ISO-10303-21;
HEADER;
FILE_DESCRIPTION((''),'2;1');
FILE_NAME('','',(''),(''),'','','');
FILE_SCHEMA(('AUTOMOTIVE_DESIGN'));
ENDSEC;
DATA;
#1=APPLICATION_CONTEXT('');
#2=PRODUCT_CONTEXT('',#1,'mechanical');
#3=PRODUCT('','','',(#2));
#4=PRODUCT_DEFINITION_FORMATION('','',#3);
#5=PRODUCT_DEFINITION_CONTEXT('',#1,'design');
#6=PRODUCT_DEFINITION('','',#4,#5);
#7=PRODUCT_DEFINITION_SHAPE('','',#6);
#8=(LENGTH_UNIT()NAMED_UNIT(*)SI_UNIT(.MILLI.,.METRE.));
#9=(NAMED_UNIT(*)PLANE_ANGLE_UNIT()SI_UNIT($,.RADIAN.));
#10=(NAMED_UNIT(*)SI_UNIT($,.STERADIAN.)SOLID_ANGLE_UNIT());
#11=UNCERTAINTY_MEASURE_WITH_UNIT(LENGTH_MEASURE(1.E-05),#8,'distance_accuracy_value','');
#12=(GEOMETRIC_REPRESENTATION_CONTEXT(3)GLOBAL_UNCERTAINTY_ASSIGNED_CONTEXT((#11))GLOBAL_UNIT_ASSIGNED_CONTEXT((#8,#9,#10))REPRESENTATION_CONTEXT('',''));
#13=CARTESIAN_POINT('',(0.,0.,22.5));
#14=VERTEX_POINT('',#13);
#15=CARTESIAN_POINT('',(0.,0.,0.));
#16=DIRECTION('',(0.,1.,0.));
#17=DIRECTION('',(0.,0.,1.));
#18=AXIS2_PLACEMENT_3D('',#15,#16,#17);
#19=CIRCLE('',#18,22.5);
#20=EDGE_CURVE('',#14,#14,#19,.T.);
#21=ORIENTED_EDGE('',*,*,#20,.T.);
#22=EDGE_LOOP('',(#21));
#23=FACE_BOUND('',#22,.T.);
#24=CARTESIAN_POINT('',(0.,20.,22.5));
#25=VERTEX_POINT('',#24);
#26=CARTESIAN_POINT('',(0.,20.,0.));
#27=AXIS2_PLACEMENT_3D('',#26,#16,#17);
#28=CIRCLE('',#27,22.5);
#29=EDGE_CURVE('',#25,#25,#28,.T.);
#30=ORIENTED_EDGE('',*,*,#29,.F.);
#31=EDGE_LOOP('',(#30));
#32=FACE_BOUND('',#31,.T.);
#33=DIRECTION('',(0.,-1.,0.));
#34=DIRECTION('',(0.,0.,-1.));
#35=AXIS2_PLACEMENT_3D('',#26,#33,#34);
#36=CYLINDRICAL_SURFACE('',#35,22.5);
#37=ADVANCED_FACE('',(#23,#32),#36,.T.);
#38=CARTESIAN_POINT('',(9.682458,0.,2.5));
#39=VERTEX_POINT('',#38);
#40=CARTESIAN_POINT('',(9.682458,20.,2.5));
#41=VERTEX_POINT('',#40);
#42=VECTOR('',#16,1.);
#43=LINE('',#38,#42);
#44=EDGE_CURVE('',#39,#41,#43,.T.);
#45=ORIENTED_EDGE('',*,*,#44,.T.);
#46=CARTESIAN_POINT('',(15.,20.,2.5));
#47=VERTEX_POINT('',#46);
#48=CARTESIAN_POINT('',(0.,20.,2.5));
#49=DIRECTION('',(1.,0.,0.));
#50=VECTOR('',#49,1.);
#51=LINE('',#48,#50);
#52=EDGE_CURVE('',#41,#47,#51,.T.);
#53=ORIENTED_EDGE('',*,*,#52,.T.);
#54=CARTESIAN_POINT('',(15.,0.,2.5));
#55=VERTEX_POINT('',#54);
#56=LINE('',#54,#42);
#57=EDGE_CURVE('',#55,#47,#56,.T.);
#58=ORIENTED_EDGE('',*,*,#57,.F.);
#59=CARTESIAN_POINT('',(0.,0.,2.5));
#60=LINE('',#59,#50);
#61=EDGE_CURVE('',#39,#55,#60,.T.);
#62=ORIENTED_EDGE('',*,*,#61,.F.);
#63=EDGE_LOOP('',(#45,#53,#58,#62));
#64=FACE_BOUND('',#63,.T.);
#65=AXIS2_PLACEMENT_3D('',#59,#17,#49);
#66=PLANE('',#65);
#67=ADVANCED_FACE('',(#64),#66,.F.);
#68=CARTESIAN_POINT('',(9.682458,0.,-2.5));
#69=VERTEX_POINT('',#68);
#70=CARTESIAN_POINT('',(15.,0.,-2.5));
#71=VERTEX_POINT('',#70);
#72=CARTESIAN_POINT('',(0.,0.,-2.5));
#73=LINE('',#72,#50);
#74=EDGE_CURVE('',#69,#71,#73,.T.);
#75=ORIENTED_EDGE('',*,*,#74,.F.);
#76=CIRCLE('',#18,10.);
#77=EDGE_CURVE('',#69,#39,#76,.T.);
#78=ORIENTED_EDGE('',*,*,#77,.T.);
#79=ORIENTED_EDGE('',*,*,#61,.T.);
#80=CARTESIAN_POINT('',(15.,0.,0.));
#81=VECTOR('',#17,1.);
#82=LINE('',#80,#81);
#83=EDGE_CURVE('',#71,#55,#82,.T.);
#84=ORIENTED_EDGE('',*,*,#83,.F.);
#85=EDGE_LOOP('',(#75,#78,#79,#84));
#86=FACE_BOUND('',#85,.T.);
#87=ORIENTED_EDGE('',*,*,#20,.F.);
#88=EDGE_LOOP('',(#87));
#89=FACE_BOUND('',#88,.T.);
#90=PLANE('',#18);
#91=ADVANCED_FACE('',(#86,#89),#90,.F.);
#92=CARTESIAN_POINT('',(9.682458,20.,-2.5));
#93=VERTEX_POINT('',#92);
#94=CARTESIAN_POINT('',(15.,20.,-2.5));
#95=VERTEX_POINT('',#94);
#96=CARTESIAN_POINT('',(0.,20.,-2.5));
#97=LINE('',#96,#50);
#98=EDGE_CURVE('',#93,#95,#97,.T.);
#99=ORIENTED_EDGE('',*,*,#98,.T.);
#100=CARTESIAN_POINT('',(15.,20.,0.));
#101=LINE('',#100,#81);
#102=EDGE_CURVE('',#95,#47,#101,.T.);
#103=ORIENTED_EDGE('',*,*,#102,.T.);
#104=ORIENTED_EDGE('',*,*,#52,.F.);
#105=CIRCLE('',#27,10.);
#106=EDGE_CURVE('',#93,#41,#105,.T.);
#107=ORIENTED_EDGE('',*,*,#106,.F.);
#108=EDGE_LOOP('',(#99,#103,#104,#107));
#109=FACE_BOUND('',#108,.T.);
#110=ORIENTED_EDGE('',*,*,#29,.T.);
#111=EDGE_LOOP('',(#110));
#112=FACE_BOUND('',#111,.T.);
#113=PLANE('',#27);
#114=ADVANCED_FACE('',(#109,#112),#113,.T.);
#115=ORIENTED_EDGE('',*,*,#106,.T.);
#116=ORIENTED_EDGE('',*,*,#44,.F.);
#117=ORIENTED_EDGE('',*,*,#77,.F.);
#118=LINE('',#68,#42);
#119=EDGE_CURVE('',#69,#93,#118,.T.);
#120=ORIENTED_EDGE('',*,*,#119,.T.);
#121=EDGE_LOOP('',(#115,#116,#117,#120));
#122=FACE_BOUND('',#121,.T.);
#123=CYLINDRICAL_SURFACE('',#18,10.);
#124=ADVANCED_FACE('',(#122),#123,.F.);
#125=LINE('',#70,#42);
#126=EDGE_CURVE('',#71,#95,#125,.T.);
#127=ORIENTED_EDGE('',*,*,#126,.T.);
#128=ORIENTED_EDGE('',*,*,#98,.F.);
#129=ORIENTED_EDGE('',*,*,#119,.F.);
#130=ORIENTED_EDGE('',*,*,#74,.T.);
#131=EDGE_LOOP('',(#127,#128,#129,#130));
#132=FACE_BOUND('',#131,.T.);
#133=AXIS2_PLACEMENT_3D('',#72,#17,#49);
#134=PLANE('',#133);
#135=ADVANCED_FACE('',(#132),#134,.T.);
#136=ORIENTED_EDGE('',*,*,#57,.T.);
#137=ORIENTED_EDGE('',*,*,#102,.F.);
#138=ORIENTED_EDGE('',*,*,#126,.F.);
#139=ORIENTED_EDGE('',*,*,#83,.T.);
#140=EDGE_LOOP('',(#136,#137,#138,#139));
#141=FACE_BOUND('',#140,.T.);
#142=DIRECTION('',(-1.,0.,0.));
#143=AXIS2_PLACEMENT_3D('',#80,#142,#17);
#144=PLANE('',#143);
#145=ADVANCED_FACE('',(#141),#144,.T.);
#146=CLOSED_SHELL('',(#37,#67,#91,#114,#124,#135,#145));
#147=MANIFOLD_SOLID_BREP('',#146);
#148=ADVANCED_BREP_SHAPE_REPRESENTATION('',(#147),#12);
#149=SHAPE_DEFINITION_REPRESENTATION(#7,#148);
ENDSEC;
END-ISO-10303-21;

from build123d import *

# Parameters (mm, degrees)
SKETCH1_R           = 22.5
BOSS_EXTRUDE1_DEPTH = 20
CUT_EXTRUDE2_DEPTH  = 20


with BuildPart() as part:
    # Sketch1 → Boss-Extrude1 (new body)
    with BuildSketch(Plane(origin=(0, 0, 0), x_dir=(1, 0, 0), z_dir=(0, 1, 0))):
        Circle(SKETCH1_R)
    extrude(amount=BOSS_EXTRUDE1_DEPTH)

    # Sketch2 → Cut-Extrude2 (cut)
    with BuildSketch(Plane(origin=(0, 20, 0), x_dir=(1, 0, 0), z_dir=(0, 1, 0))):
        with BuildLine():
            Line((5, -2.5), (5, 2.5))
            Line((5, 2.5), (9.682458366, 2.5))
            ThreePointArc((9.682458366, 2.5), (-10, 0), (9.682458366, -2.5))
            Line((9.682458366, -2.5), (5, -2.5))
        make_face()
        with BuildLine():
            Line((9.682458366, 2.5), (5, 2.5))
            Line((5, 2.5), (5, -2.5))
            Line((5, -2.5), (9.682458366, -2.5))
            ThreePointArc((9.682458366, -2.5), (9.920296963, -1.260042925), (10, 0))
            ThreePointArc((10, 0), (9.920296963, 1.260042925), (9.682458366, 2.5))
        make_face()
        with BuildLine():
            Line((15, 2.5), (9.682458366, 2.5))
            ThreePointArc((9.682458366, 2.5), (9.920296963, 1.260042925), (10, 0))
            ThreePointArc((10, 0), (9.920296963, -1.260042925), (9.682458366, -2.5))
            Line((9.682458366, -2.5), (15, -2.5))
            Line((15, -2.5), (15, 2.5))
        make_face()
    extrude(amount=-CUT_EXTRUDE2_DEPTH, mode=Mode.SUBTRACT)


solid = part.part
